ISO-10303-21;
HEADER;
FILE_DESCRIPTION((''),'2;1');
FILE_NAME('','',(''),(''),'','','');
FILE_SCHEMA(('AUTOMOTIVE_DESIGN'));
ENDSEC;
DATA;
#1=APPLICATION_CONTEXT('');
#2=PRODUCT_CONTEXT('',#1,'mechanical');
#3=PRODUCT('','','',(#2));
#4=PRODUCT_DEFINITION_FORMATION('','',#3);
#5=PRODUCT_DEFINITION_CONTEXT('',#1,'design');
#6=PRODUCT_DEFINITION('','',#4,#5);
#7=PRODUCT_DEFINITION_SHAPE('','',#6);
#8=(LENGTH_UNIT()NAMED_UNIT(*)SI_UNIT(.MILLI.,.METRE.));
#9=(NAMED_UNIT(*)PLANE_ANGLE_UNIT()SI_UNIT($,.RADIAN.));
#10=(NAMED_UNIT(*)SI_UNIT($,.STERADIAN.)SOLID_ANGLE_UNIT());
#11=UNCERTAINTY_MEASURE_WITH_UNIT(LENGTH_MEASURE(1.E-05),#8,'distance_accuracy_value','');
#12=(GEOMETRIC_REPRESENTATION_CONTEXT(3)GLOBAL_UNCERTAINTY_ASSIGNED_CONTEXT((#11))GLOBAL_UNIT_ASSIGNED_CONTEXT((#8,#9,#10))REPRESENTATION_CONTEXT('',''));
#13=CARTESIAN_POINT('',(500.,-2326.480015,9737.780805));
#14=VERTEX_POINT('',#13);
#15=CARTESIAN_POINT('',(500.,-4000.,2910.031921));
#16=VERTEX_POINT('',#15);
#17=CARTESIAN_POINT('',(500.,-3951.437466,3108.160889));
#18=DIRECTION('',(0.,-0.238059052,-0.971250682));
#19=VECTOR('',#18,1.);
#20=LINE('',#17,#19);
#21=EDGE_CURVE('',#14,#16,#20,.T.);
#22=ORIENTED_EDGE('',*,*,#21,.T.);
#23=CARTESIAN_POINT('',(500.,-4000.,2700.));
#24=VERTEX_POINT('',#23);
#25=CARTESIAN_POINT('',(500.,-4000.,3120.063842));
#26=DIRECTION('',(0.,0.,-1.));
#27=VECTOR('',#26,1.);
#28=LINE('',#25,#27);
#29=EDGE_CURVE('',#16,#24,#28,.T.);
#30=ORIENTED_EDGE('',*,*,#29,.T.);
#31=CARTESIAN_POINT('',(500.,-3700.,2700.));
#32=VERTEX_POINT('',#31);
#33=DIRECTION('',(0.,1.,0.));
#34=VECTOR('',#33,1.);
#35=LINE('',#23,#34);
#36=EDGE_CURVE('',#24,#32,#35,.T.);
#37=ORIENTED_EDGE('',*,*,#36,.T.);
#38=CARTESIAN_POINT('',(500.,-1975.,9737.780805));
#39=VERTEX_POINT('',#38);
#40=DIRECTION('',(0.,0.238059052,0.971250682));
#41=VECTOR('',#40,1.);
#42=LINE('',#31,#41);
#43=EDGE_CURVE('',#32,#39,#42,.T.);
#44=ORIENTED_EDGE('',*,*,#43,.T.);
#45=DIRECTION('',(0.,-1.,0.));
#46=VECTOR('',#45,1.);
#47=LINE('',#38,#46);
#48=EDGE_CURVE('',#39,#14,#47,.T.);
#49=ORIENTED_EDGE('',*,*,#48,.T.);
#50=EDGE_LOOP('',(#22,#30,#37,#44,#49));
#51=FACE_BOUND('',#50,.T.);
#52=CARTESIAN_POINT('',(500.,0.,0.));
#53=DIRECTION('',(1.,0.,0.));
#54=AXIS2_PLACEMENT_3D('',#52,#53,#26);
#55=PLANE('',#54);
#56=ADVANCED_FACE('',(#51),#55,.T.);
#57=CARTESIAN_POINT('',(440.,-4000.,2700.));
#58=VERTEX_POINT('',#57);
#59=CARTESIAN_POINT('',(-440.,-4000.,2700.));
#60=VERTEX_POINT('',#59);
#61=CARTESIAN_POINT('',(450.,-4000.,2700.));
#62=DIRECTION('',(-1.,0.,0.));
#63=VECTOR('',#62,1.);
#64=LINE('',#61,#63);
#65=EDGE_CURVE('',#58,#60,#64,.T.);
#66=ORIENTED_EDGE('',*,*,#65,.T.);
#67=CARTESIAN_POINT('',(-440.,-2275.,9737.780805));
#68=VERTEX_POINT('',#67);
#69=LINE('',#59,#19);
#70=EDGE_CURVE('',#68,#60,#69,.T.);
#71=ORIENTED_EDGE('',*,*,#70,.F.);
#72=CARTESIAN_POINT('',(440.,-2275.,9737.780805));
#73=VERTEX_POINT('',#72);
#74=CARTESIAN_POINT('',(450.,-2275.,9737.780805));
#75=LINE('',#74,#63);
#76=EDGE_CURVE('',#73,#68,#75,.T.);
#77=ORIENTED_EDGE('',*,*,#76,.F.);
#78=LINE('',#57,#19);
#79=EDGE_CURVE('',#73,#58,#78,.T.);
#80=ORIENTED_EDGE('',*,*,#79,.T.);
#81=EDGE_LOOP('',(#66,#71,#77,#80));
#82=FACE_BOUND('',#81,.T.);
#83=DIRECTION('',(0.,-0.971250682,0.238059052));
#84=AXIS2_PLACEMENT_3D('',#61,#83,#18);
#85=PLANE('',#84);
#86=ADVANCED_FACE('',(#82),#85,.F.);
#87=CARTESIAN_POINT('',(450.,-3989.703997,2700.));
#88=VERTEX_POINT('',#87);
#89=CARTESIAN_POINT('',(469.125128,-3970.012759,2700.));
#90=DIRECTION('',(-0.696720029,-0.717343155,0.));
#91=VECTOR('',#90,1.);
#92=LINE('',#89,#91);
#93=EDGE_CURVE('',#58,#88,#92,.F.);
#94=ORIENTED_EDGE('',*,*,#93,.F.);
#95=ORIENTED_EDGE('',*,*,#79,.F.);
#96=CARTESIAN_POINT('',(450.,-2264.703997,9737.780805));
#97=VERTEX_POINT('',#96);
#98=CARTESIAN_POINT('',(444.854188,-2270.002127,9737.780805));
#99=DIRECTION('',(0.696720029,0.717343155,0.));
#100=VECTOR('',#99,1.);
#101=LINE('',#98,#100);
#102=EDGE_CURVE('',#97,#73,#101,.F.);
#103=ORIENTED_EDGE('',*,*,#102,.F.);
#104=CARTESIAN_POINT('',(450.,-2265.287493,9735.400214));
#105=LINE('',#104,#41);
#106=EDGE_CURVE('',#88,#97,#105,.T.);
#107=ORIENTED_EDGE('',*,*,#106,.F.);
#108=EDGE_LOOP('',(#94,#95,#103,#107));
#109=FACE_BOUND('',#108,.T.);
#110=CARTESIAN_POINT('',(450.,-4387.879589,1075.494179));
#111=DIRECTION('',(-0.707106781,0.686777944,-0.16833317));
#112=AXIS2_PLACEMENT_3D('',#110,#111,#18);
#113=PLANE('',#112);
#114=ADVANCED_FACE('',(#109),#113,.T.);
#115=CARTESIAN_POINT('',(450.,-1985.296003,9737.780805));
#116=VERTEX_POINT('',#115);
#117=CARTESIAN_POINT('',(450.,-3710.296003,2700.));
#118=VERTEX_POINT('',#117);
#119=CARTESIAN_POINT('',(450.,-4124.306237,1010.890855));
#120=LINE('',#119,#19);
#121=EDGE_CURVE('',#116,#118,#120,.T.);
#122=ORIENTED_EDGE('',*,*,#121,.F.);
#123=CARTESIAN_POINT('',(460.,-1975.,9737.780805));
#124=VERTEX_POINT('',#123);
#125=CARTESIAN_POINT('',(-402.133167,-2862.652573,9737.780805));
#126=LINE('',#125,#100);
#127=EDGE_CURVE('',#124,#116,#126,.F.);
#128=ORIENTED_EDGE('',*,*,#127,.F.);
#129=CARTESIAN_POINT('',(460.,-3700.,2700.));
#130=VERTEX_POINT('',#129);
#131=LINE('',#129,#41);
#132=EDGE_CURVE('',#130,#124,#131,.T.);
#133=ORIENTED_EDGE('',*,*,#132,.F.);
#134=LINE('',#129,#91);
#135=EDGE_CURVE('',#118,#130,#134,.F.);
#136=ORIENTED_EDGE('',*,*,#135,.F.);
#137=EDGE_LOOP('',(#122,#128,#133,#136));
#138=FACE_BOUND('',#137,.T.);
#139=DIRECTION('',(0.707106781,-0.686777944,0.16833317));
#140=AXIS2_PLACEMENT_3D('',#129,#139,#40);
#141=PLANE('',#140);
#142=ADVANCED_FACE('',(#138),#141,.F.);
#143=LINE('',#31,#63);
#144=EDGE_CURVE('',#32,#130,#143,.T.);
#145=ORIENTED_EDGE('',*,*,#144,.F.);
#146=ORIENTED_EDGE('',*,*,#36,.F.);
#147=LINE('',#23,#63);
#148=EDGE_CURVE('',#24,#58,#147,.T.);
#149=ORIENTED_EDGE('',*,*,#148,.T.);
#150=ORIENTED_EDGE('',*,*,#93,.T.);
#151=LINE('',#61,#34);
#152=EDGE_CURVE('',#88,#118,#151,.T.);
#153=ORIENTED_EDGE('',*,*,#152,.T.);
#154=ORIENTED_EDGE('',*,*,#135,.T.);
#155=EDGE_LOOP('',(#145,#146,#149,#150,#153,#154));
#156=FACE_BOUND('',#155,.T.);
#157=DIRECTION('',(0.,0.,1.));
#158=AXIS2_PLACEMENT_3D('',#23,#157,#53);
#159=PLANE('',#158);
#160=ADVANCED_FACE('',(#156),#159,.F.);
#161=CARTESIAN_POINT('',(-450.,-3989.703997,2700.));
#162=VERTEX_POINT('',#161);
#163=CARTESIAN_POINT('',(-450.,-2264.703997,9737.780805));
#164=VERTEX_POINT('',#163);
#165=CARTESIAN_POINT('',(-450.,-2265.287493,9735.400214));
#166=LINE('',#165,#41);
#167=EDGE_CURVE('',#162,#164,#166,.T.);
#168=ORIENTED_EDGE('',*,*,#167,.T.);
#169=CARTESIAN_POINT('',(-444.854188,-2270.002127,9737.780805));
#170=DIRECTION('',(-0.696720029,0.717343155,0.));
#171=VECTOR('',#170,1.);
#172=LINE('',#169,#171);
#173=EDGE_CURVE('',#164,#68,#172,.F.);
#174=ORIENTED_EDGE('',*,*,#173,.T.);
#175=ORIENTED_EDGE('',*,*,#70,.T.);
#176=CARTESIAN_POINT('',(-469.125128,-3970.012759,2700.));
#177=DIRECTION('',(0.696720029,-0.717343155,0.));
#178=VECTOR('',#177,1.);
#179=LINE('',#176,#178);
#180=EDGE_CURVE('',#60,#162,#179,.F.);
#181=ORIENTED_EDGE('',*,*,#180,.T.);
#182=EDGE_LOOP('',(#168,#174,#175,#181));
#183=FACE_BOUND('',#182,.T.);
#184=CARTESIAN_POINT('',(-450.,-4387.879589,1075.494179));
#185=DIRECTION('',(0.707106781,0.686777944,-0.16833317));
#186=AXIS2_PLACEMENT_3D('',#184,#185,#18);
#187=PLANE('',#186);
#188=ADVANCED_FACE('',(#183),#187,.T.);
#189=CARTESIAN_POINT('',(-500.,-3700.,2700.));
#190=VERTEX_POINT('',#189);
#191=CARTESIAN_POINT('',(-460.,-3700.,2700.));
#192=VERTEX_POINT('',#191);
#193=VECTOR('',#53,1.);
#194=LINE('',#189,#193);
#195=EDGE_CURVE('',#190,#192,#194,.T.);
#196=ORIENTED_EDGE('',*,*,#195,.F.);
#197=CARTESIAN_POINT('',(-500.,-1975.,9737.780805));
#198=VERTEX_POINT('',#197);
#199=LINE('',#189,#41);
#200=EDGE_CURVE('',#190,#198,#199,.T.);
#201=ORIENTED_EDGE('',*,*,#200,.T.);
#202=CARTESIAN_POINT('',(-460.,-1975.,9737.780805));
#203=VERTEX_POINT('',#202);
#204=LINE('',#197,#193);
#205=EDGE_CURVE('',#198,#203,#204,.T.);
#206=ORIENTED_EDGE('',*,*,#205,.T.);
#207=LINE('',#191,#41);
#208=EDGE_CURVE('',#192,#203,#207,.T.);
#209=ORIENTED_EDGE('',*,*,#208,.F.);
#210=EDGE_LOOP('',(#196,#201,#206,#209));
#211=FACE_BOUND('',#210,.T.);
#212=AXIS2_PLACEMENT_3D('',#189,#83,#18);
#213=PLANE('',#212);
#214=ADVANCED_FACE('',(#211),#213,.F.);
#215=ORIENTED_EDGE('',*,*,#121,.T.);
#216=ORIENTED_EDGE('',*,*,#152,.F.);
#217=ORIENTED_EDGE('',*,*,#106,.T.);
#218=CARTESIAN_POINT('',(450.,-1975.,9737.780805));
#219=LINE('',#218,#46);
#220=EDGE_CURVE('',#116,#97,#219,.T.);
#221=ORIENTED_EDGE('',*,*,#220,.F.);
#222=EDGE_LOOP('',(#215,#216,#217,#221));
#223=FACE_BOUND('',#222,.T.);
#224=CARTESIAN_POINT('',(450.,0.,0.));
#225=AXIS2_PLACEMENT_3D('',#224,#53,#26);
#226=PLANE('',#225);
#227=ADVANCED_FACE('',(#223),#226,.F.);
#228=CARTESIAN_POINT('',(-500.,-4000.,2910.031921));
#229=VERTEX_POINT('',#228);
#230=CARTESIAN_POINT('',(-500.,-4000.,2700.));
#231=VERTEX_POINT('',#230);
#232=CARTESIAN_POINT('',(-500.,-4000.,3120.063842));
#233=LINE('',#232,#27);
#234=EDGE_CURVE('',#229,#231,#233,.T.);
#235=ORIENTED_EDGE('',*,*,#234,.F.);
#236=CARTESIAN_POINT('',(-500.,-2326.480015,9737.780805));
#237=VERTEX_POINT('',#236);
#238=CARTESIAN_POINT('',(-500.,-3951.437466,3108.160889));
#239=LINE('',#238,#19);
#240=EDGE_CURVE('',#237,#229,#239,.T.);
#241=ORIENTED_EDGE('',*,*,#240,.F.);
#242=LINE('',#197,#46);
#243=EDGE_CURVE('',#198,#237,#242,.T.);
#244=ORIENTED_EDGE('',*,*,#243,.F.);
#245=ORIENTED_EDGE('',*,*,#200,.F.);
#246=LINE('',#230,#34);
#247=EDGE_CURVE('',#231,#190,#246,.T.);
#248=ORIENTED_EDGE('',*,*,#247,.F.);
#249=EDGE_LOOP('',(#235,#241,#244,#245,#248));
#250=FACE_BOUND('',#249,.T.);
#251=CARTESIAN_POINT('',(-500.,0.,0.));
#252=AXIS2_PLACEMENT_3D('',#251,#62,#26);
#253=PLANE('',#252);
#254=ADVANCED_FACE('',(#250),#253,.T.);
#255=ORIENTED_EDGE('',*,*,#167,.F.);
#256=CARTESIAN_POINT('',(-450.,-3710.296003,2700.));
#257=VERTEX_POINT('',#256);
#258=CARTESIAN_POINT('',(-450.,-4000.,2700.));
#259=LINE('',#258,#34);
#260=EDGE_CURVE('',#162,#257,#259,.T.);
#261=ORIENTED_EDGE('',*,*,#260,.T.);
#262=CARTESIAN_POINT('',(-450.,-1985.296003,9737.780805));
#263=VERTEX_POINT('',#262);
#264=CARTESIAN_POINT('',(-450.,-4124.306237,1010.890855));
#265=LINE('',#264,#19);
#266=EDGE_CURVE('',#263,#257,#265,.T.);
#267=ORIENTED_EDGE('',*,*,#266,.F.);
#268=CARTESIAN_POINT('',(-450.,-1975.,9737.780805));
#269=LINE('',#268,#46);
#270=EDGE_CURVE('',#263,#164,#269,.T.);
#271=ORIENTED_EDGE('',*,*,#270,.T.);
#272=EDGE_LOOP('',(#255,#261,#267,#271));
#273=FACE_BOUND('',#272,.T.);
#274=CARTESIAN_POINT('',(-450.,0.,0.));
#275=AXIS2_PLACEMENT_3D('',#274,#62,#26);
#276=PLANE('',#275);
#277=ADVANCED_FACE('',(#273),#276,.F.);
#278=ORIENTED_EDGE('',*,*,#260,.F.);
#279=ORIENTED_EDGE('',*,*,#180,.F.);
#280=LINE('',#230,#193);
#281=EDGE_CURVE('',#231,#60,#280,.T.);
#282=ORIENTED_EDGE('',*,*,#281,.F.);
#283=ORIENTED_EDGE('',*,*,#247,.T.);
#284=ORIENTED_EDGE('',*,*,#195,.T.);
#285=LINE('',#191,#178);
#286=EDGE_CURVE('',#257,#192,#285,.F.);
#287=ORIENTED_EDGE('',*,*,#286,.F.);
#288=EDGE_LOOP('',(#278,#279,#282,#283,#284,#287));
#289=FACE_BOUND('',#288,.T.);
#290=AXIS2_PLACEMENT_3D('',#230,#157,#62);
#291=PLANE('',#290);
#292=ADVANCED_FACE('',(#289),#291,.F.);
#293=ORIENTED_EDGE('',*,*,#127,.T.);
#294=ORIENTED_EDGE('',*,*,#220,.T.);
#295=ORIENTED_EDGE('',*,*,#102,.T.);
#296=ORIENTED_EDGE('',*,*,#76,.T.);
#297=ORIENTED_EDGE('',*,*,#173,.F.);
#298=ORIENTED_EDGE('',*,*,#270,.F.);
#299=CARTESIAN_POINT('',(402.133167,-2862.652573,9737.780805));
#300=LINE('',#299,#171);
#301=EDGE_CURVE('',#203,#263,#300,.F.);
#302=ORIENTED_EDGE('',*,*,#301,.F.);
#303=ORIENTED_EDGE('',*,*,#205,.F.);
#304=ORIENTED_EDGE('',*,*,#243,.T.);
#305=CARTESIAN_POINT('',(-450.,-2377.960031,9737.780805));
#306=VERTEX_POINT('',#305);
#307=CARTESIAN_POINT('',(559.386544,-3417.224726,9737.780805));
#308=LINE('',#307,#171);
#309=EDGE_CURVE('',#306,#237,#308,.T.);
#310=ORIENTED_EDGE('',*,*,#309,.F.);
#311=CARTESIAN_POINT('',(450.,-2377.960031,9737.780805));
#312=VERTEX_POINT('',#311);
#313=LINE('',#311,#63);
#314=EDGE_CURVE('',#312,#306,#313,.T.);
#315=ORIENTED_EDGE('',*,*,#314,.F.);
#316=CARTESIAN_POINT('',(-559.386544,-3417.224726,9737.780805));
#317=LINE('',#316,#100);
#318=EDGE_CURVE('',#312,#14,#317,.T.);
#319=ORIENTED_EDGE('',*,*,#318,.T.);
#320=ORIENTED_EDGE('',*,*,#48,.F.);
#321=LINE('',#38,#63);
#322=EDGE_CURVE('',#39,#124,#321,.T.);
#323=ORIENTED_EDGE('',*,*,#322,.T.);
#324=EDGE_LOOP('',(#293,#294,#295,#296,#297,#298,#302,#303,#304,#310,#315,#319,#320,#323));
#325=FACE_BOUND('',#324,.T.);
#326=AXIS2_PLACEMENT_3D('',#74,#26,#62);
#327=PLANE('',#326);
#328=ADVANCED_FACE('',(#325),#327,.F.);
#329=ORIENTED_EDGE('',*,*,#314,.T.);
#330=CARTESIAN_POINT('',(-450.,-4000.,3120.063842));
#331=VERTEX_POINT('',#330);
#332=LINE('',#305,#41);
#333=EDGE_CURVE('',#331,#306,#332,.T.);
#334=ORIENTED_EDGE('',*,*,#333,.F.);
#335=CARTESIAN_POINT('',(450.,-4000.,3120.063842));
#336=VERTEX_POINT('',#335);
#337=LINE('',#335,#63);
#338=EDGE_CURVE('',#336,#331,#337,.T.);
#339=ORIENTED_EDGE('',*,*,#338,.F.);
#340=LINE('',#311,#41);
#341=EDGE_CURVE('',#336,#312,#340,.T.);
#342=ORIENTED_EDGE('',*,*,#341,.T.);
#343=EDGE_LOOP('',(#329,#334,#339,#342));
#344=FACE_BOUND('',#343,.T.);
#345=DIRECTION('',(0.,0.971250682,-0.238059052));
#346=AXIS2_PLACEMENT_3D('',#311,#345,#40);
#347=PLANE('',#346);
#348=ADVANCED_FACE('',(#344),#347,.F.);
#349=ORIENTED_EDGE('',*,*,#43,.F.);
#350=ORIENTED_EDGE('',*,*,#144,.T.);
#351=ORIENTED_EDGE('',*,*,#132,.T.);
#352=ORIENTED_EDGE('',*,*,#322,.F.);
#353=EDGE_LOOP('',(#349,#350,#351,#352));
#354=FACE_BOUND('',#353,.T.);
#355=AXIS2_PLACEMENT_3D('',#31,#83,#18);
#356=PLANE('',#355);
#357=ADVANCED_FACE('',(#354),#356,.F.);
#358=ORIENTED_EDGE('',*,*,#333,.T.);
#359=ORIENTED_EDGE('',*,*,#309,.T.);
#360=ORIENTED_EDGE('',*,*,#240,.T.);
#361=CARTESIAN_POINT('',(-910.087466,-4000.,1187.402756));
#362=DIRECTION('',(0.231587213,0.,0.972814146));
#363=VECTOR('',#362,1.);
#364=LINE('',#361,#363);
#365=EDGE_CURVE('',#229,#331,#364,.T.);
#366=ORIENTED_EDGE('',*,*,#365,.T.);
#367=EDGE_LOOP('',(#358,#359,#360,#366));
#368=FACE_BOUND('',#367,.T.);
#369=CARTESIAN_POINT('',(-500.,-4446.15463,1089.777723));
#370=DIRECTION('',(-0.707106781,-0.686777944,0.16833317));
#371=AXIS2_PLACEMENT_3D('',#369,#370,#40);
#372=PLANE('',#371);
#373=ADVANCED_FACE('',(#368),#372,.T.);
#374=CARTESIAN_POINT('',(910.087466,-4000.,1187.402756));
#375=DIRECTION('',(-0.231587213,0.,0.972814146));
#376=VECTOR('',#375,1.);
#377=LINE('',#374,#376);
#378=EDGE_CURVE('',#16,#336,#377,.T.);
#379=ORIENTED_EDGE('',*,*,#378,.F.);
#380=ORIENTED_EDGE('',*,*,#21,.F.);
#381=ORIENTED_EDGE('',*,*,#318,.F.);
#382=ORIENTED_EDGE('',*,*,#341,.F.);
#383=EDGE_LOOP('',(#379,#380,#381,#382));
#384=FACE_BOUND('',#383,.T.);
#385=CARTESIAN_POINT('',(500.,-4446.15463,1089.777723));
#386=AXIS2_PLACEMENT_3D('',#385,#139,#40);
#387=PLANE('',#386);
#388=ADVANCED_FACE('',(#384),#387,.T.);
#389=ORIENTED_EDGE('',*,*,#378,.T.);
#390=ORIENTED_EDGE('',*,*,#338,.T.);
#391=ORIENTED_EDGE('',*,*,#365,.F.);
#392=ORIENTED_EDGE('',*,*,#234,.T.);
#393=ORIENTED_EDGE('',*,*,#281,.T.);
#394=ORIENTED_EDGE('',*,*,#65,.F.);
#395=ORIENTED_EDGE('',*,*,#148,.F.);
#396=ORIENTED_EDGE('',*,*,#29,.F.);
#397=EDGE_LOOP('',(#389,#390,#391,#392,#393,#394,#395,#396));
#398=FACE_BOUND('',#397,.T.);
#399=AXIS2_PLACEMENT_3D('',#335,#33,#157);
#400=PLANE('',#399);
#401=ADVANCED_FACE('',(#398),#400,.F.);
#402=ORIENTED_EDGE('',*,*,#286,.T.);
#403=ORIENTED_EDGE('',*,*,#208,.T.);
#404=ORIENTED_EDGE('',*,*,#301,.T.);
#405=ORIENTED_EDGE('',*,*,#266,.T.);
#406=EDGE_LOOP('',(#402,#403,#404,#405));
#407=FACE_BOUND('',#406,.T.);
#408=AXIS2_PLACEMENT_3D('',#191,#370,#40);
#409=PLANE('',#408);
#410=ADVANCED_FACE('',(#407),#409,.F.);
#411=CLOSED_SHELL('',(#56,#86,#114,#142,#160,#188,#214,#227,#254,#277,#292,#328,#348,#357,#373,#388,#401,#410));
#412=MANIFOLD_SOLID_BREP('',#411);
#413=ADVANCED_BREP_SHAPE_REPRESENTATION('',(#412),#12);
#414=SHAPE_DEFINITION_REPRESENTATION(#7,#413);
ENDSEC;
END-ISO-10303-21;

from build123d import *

# Parameters (mm, degrees)
EXTRUDE_1_DEPTH = 450
EXTRUDE_2_DEPTH = 50
CHAMFER_1_SIZE  = 10
CHAMFER_3_SIZE  = 50
CHAMFER_2_SIZE  = 10


with BuildPart() as part:
    # ｽｹｯﾁ1 → ﾎﾞｽ - 押し出し1 (new body)
    with BuildSketch(Plane(origin=(0, 0, 0), x_dir=(0, 0, -1), z_dir=(1, 0, 0))):
        Polygon((-9737.78080468, -2275), (-9737.78080468, -2377.960030638), (-3120.063841898, -4000), (-2700, -4000), align=None)
    extrude(amount=EXTRUDE_1_DEPTH)

    # ｽｹｯﾁ2 → ﾎﾞｽ - 押し出し2 (add)
    with BuildSketch(Plane(origin=(450, 0, 0), x_dir=(0, 0, -1), z_dir=(1, 0, 0))):
        Polygon((-2700, -4000), (-2700, -3700), (-9737.78080468, -1975), (-9737.78080468, -2377.960030638), (-3120.063841898, -4000), align=None)
    extrude(amount=EXTRUDE_2_DEPTH)

    # 面取り1
    chamfer_1_edges = [part.edges().sort_by_distance(p)[0] for p in [
        (450, -3137.5, 6218.89040234),
    ]]
    chamfer(chamfer_1_edges, length=CHAMFER_1_SIZE)

    # 面取り3
    chamfer_3_edges = [part.edges().sort_by_distance(p)[0] for p in [
        (500, -3188.980015319, 6428.922323289),
    ]]
    chamfer(chamfer_3_edges, length=CHAMFER_3_SIZE)

    # 面取り2
    chamfer_2_edges = [part.edges().sort_by_distance(p)[0] for p in [
        (450, -2837.5, 6218.89040234),
    ]]
    chamfer(chamfer_2_edges, length=CHAMFER_2_SIZE)

    # ﾐﾗｰ1: part across plane


with BuildPart() as part_1:
    add(part.part)
    add(part.part.mirror(Plane(origin=(0, 0, 0), x_dir=(0, 0, 1), z_dir=(1, 0, 0))))


solid = part_1.part
